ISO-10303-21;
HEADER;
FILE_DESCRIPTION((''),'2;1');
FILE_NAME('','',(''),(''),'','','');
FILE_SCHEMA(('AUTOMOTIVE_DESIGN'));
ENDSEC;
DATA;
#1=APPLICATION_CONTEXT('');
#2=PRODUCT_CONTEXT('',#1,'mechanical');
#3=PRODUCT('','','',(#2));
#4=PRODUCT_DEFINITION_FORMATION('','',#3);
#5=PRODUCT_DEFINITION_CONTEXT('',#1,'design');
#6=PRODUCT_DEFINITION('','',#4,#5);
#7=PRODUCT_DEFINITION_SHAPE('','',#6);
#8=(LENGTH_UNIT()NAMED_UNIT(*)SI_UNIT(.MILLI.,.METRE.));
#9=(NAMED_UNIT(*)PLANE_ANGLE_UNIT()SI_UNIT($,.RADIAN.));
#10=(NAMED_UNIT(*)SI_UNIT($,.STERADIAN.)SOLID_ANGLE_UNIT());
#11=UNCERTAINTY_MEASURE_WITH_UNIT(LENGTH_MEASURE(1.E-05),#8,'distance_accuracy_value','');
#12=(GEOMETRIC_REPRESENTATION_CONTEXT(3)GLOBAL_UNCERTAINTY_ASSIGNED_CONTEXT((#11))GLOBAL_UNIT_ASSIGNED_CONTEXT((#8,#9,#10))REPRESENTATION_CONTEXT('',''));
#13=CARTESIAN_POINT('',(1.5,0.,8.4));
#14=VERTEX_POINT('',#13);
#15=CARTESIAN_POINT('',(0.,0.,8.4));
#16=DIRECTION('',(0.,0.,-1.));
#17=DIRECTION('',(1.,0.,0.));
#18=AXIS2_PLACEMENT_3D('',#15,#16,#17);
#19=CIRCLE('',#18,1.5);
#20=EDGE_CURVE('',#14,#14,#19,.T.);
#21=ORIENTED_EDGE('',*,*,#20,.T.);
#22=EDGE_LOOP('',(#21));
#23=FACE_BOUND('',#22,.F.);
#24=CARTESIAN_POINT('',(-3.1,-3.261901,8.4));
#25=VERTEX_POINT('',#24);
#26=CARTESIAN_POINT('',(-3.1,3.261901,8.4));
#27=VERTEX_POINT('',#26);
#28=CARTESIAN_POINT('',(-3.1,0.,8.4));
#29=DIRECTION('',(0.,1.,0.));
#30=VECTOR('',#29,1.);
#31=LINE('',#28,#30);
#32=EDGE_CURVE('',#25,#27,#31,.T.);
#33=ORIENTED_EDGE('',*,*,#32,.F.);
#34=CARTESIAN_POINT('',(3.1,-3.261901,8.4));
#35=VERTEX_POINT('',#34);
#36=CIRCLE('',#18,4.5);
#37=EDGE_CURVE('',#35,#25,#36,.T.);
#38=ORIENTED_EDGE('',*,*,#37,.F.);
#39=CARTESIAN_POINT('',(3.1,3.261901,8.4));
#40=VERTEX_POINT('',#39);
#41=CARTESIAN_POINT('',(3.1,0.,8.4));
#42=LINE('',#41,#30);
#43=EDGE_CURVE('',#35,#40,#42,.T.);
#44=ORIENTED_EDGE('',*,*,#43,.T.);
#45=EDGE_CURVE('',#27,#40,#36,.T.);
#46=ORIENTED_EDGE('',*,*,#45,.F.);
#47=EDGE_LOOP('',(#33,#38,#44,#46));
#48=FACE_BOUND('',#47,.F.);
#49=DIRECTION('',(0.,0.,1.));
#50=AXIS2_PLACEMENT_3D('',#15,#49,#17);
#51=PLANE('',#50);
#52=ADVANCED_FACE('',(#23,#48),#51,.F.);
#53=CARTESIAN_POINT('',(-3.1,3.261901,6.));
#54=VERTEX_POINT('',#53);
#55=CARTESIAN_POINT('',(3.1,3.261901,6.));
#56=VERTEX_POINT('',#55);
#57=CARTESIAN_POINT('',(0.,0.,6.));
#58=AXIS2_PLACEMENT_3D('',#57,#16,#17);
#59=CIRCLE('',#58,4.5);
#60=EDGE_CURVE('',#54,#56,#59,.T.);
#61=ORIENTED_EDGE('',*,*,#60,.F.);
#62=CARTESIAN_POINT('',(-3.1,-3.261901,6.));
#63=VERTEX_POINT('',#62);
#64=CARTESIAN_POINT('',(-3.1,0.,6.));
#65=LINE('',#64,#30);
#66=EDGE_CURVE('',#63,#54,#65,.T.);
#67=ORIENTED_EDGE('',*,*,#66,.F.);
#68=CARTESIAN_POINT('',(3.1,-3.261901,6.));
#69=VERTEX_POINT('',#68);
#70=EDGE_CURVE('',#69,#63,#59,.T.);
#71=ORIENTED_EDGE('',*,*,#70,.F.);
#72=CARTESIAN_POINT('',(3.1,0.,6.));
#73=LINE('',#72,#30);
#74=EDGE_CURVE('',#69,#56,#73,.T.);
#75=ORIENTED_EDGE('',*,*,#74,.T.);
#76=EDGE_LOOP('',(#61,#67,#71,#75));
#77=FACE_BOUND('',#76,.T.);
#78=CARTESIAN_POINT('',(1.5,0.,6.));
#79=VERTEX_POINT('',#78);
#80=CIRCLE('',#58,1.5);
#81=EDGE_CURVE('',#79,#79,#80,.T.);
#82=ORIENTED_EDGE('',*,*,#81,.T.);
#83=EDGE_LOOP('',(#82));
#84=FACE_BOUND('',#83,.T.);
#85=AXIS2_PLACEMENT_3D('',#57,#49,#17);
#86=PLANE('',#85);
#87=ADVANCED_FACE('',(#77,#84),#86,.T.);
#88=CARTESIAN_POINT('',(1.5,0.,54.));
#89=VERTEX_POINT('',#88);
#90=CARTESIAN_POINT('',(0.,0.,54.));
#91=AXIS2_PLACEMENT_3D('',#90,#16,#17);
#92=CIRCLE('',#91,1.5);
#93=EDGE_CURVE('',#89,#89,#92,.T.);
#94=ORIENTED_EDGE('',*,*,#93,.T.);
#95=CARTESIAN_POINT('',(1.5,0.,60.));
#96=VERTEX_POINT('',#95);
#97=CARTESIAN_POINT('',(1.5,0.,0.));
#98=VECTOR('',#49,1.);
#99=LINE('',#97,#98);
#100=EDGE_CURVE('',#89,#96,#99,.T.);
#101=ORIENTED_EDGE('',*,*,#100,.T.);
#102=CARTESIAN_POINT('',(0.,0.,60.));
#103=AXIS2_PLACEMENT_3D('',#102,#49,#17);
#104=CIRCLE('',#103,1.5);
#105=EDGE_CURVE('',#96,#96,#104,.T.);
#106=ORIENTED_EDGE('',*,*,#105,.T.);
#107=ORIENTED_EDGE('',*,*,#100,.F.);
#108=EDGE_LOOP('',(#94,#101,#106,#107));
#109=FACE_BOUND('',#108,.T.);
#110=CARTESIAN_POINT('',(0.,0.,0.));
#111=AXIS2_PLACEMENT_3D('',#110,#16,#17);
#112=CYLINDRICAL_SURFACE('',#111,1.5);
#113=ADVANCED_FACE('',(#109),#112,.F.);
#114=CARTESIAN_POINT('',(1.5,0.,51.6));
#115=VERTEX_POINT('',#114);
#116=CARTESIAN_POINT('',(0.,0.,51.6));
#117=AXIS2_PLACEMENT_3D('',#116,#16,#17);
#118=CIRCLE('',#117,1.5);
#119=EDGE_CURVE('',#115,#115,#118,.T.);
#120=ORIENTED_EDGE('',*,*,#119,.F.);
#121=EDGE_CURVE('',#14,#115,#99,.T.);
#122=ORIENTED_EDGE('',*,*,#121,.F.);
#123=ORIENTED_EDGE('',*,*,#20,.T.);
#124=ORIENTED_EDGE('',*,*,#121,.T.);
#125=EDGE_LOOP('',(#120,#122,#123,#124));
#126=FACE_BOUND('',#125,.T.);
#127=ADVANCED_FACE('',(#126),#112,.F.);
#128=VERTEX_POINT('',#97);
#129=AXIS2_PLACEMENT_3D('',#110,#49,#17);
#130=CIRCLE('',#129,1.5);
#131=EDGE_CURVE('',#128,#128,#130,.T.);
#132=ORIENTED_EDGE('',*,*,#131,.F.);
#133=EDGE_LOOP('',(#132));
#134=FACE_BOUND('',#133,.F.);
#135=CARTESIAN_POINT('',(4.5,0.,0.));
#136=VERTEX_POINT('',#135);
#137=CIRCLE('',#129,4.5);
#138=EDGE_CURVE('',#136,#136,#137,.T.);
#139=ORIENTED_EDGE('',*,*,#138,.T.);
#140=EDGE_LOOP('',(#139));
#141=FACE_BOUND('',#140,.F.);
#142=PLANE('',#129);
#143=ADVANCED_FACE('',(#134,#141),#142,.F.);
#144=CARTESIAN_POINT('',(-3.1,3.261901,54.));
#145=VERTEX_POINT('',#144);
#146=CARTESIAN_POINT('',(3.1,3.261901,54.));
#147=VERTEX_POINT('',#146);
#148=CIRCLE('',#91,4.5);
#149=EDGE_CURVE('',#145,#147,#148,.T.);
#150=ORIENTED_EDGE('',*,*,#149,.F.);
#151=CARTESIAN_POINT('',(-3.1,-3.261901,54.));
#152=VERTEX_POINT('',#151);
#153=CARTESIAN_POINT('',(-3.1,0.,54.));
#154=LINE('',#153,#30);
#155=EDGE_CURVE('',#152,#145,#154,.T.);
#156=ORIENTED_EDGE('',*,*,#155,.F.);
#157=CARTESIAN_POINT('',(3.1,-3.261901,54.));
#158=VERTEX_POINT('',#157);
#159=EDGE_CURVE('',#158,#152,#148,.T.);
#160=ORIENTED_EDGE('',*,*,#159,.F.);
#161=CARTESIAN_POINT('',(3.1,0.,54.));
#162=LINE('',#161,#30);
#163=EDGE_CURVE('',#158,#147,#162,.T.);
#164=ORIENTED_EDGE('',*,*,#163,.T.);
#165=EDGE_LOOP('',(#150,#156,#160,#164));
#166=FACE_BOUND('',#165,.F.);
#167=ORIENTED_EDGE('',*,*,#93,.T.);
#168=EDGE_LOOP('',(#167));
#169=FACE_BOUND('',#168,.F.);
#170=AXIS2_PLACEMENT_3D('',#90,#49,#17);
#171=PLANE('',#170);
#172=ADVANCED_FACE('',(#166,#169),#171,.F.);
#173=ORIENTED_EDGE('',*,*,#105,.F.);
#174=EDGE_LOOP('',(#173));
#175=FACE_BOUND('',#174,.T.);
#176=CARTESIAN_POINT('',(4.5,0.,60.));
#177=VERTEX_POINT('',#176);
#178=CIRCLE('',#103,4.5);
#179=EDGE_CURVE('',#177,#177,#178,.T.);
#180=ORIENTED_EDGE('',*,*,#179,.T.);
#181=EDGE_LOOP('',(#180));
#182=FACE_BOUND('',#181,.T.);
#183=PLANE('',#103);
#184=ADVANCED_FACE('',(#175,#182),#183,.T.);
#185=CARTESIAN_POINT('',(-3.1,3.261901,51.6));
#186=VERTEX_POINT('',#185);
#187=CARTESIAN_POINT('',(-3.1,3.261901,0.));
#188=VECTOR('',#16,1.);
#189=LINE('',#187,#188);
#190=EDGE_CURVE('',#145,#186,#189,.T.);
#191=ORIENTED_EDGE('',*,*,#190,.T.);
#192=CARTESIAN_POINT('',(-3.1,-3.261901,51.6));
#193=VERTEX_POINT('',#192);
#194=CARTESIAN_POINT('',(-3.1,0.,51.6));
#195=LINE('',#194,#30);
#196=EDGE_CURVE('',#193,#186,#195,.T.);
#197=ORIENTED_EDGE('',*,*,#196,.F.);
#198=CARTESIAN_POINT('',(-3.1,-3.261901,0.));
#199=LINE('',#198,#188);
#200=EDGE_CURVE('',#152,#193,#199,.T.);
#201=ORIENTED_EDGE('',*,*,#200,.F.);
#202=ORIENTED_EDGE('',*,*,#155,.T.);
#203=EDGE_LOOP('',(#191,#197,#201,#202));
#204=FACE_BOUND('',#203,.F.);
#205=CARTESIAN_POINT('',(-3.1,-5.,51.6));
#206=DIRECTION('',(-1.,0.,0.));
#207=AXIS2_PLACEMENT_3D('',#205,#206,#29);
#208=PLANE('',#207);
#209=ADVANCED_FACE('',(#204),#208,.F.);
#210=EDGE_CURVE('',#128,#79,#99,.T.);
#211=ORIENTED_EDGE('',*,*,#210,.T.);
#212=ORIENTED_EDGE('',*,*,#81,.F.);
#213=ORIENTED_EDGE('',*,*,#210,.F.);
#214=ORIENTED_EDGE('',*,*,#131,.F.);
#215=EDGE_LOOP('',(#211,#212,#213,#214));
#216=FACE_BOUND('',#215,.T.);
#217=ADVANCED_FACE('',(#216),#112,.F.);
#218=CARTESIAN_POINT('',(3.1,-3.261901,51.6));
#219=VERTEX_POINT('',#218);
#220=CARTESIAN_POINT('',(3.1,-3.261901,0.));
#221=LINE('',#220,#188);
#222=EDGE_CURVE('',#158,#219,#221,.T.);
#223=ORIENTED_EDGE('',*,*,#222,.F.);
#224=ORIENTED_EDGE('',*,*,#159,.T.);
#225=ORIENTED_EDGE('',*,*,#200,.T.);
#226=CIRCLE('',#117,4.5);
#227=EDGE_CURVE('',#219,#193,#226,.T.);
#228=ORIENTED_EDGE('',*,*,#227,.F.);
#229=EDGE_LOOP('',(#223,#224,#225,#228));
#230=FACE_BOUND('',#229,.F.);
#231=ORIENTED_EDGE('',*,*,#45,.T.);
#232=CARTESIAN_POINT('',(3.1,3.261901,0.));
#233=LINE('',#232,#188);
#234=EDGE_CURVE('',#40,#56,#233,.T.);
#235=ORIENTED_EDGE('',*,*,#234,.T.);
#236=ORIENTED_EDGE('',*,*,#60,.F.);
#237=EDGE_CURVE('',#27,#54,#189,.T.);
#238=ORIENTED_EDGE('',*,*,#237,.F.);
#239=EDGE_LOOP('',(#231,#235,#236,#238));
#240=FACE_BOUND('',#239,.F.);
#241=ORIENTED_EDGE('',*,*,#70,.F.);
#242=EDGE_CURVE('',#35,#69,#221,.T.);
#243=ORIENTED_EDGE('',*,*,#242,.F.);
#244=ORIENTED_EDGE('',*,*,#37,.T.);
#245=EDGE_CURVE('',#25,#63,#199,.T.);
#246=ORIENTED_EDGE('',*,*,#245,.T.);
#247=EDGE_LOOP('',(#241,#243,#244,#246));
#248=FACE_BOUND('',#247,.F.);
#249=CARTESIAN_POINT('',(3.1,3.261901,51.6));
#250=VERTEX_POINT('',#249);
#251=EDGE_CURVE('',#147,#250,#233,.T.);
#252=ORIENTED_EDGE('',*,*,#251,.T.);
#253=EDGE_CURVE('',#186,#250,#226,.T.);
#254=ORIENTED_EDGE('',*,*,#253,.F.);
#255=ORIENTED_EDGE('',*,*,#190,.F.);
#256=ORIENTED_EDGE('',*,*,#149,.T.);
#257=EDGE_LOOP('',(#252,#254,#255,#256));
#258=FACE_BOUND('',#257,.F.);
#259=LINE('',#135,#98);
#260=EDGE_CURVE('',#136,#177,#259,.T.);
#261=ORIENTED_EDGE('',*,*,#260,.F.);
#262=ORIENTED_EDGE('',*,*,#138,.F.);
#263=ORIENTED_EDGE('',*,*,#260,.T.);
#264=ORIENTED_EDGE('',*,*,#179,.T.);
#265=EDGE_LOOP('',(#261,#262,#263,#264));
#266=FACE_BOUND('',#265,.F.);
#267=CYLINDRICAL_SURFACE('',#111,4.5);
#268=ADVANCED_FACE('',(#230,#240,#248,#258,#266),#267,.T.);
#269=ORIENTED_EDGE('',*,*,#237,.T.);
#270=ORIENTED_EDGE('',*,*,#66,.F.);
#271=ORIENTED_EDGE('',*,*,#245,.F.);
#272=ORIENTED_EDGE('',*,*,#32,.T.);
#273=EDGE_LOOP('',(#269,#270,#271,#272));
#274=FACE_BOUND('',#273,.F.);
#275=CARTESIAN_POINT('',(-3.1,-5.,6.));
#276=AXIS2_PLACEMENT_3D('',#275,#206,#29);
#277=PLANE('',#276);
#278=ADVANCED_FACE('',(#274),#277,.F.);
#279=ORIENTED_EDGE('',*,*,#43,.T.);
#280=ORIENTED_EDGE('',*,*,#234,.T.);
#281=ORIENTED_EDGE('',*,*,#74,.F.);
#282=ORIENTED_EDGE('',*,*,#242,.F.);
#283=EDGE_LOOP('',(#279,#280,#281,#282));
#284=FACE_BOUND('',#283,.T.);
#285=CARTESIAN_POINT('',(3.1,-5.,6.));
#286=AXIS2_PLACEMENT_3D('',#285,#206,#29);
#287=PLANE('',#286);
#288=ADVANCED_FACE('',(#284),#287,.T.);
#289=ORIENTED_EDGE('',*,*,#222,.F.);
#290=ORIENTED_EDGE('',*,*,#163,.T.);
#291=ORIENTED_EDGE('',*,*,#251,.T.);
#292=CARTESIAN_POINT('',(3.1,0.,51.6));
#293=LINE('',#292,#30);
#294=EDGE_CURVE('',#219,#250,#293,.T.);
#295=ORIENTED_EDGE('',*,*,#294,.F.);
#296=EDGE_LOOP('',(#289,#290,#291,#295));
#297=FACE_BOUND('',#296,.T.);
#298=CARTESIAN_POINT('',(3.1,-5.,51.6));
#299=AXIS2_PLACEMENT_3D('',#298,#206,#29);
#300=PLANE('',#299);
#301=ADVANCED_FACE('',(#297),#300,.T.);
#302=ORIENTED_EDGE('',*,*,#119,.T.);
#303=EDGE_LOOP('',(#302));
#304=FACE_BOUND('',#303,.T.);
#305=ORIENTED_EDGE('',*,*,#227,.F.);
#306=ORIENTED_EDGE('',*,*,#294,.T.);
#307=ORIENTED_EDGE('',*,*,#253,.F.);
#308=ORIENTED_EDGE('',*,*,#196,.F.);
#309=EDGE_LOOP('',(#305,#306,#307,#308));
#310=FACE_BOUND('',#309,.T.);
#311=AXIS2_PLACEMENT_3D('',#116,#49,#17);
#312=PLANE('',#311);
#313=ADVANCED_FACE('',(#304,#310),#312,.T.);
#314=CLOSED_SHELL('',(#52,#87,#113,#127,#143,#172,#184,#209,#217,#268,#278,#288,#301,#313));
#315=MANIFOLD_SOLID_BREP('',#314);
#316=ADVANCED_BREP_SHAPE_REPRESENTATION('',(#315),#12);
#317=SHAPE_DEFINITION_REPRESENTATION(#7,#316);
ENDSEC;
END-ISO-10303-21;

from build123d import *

# Parameters (mm, degrees)
BOX011_W          = 6.2
BOX011_H          = 10
BOX011_DEPTH      = 2.4
BOX010_W          = 6.2
BOX010_H          = 10
BOX010_DEPTH      = 2.4
CYLINDER007_R     = 1.5
CYLINDER007_DEPTH = 60
CYLINDER006_R     = 4.5
CYLINDER006_DEPTH = 60


with BuildPart() as nut2:
    # Box011 → Box011 (new body)
    with BuildSketch(Plane(origin=(-3.1, -5, 51.6), x_dir=(1, 0, 0), z_dir=(0, 0, 1))):
        with Locations((3.1, 5)):
            Rectangle(BOX011_W, BOX011_H)
    extrude(amount=BOX011_DEPTH)


with BuildPart() as nut1:
    # Box010 → Box010 (new body)
    with BuildSketch(Plane(origin=(-3.1, -5, 6), x_dir=(1, 0, 0), z_dir=(0, 0, 1))):
        with Locations((3.1, 5)):
            Rectangle(BOX010_W, BOX010_H)
    extrude(amount=BOX010_DEPTH)


with BuildPart() as columnhole:
    # Cylinder007 → Cylinder007 (new body)
    with BuildSketch(Plane.XY):
        Circle(CYLINDER007_R)
    extrude(amount=CYLINDER007_DEPTH)


with BuildPart() as column:
    # Cylinder006 → Cylinder006 (new body)
    with BuildSketch(Plane.XY):
        Circle(CYLINDER006_R)
    extrude(amount=CYLINDER006_DEPTH)

    # Cut010: cut ColumnHole
    add(columnhole.part, mode=Mode.SUBTRACT)

    # Cut011: cut Nut1
    add(nut1.part, mode=Mode.SUBTRACT)

    # Cut012: cut Nut2
    add(nut2.part, mode=Mode.SUBTRACT)


solid = column.part
